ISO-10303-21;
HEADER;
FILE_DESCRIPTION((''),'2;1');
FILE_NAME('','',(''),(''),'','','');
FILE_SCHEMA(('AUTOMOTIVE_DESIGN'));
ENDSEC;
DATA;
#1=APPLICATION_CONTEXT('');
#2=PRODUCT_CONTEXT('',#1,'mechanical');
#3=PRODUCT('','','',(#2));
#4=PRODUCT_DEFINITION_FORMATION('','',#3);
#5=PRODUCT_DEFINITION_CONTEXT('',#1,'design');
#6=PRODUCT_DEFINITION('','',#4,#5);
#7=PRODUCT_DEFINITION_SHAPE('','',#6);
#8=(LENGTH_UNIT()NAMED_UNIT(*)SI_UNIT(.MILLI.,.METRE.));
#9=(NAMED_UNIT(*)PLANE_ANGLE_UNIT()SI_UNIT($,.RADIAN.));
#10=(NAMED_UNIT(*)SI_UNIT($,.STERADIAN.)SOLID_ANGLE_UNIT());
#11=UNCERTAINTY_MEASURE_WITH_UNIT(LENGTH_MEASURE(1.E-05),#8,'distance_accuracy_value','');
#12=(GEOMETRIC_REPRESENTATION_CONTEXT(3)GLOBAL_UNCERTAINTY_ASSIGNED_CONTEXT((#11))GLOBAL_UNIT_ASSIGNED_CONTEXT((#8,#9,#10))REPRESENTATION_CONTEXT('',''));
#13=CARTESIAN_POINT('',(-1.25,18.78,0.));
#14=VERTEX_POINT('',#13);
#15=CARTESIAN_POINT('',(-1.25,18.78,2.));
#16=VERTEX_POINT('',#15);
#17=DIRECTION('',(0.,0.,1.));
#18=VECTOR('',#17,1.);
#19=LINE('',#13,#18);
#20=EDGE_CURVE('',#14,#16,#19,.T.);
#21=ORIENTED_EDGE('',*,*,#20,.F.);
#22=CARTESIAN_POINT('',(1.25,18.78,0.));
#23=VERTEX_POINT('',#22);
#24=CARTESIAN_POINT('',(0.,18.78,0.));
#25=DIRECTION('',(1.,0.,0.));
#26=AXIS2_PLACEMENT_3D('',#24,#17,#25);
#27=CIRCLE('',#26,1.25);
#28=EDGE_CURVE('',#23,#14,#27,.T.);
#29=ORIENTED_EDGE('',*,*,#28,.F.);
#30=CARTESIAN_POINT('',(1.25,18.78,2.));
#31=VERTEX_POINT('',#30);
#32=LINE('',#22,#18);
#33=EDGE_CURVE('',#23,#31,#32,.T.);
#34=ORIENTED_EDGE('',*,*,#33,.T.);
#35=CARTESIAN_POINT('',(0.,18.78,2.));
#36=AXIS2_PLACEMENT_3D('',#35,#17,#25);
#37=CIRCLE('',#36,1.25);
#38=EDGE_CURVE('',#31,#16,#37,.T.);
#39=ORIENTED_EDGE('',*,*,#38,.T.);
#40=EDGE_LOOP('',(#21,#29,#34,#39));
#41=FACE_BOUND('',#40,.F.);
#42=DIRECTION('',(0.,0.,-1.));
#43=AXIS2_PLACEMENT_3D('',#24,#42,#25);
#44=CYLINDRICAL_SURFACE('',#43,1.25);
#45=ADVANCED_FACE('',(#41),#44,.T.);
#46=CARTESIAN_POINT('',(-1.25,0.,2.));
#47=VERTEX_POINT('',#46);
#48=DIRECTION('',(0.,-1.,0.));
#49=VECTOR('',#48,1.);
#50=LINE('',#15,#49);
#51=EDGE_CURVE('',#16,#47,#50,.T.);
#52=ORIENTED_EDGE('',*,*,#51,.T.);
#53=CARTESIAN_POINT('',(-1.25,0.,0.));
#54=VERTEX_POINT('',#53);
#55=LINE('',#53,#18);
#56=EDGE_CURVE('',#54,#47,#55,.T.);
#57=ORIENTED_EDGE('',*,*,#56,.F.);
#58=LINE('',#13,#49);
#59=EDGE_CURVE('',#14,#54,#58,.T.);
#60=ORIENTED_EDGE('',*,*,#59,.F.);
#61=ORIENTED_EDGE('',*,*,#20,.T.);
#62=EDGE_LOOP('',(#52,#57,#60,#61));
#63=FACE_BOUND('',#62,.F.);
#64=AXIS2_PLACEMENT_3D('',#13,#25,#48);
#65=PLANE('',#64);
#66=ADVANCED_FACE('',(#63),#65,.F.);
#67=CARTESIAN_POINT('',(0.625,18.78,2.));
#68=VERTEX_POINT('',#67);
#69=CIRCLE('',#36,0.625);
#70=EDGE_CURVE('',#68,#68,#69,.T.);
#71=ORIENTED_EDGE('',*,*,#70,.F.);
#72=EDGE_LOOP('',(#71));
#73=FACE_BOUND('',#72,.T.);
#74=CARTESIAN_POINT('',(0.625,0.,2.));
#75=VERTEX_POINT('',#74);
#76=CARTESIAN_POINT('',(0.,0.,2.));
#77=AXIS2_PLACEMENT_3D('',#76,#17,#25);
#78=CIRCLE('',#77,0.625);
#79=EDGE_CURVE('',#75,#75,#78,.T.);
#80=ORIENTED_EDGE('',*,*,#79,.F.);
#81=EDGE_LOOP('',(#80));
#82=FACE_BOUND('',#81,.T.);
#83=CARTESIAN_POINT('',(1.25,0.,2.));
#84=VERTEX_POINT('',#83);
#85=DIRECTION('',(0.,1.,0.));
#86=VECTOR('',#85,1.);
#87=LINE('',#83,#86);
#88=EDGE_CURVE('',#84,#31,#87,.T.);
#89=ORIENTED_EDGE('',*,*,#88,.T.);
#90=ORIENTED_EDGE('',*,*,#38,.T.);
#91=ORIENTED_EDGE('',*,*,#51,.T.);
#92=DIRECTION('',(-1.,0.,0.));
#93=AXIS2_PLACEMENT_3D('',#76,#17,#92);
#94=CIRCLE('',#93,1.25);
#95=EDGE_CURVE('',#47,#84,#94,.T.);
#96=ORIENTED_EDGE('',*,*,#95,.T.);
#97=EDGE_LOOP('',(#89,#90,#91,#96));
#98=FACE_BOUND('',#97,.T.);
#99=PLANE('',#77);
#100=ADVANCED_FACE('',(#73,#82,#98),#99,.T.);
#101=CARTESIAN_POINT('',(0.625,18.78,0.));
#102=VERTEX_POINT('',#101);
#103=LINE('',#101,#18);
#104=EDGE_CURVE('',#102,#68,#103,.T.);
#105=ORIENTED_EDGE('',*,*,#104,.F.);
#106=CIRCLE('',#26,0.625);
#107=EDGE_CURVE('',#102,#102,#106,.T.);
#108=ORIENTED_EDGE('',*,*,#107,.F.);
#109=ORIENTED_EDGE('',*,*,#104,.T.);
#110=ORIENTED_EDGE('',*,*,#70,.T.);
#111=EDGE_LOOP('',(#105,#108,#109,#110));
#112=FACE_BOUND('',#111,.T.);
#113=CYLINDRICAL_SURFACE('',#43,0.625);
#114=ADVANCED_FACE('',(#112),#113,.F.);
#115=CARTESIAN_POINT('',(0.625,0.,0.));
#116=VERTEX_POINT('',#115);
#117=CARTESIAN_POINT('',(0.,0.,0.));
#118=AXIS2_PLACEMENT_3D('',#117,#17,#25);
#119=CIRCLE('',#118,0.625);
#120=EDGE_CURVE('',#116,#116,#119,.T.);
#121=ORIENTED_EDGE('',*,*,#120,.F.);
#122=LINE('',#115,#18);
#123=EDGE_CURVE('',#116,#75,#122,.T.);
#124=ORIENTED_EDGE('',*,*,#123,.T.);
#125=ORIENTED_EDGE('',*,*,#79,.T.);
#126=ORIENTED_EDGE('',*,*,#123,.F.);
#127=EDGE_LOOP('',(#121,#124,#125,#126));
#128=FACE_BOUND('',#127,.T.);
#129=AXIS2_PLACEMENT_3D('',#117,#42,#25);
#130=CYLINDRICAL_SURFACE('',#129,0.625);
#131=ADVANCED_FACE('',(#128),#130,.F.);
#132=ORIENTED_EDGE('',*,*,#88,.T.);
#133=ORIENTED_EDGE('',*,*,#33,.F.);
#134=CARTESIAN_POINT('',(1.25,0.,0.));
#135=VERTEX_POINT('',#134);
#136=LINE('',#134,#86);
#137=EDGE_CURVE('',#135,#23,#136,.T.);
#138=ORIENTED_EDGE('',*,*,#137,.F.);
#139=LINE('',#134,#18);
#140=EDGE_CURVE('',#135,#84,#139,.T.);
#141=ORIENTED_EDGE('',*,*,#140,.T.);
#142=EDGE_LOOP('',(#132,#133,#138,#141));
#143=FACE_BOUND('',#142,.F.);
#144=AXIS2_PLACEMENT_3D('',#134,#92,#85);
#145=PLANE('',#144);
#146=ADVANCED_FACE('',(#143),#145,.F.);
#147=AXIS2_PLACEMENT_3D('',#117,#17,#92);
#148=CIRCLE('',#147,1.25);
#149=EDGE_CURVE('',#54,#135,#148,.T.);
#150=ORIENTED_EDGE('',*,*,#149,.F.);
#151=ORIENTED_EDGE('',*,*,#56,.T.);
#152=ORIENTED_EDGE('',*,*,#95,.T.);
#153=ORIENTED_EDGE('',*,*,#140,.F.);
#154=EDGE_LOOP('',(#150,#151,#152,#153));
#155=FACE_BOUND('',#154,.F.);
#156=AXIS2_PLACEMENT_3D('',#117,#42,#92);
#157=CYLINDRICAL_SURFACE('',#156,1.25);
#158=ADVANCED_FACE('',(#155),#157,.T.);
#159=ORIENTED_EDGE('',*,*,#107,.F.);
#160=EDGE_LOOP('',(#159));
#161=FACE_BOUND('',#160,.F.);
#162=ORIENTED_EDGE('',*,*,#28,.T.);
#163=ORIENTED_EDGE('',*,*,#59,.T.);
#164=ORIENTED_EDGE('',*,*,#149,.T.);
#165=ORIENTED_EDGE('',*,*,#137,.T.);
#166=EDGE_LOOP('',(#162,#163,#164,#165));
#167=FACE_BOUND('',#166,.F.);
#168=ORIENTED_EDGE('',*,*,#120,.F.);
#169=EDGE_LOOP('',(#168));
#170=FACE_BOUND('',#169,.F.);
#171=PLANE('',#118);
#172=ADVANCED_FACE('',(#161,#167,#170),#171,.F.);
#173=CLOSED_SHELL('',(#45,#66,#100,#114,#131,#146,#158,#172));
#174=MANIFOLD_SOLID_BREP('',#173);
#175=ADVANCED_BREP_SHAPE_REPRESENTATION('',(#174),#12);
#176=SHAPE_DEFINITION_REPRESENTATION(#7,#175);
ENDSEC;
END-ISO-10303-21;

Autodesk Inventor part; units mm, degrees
ref_plane "YZ Plane" through (0, 0, 0) normal (1, 0, 0) x (0, 1, 0)
ref_plane "XZ Plane" through (0, 0, 0) normal (0, 1, 0) x (-1, 0, 0)
ref_plane "XY Plane" through (0, 0, 0) normal (0, 0, 1) x (1, 0, 0)
sketch "草圖1" plane through (0, 0, 0) normal (0, 0, 1) x (1, 0, 0)
  line L0 (0, 0) -> (0, 18.78) construction
  line L1 (1.25, 0) -> (1.25, 18.78)
  line L2 (-1.25, 18.78) -> (-1.25, 0)
  arc A0 (-1.25, 0) -> (1.25, 0) centre (0, 0) ccw
  arc A1 (1.25, 18.78) -> (-1.25, 18.78) centre (0, 18.78) ccw
  circle A2 centre (0, 18.78) radius 0.625
  circle A3 centre (0, 0) radius 0.625
  point P0 (0, 9.39)
  dimension "d0" = 18.78
  dimension "d1" = 2.5
  dimension "d2" = 1.25
  dimension "d3" = 1.25
extrude "擠出1" add sketch "草圖1" along normal blind 2
properties part number "1"
